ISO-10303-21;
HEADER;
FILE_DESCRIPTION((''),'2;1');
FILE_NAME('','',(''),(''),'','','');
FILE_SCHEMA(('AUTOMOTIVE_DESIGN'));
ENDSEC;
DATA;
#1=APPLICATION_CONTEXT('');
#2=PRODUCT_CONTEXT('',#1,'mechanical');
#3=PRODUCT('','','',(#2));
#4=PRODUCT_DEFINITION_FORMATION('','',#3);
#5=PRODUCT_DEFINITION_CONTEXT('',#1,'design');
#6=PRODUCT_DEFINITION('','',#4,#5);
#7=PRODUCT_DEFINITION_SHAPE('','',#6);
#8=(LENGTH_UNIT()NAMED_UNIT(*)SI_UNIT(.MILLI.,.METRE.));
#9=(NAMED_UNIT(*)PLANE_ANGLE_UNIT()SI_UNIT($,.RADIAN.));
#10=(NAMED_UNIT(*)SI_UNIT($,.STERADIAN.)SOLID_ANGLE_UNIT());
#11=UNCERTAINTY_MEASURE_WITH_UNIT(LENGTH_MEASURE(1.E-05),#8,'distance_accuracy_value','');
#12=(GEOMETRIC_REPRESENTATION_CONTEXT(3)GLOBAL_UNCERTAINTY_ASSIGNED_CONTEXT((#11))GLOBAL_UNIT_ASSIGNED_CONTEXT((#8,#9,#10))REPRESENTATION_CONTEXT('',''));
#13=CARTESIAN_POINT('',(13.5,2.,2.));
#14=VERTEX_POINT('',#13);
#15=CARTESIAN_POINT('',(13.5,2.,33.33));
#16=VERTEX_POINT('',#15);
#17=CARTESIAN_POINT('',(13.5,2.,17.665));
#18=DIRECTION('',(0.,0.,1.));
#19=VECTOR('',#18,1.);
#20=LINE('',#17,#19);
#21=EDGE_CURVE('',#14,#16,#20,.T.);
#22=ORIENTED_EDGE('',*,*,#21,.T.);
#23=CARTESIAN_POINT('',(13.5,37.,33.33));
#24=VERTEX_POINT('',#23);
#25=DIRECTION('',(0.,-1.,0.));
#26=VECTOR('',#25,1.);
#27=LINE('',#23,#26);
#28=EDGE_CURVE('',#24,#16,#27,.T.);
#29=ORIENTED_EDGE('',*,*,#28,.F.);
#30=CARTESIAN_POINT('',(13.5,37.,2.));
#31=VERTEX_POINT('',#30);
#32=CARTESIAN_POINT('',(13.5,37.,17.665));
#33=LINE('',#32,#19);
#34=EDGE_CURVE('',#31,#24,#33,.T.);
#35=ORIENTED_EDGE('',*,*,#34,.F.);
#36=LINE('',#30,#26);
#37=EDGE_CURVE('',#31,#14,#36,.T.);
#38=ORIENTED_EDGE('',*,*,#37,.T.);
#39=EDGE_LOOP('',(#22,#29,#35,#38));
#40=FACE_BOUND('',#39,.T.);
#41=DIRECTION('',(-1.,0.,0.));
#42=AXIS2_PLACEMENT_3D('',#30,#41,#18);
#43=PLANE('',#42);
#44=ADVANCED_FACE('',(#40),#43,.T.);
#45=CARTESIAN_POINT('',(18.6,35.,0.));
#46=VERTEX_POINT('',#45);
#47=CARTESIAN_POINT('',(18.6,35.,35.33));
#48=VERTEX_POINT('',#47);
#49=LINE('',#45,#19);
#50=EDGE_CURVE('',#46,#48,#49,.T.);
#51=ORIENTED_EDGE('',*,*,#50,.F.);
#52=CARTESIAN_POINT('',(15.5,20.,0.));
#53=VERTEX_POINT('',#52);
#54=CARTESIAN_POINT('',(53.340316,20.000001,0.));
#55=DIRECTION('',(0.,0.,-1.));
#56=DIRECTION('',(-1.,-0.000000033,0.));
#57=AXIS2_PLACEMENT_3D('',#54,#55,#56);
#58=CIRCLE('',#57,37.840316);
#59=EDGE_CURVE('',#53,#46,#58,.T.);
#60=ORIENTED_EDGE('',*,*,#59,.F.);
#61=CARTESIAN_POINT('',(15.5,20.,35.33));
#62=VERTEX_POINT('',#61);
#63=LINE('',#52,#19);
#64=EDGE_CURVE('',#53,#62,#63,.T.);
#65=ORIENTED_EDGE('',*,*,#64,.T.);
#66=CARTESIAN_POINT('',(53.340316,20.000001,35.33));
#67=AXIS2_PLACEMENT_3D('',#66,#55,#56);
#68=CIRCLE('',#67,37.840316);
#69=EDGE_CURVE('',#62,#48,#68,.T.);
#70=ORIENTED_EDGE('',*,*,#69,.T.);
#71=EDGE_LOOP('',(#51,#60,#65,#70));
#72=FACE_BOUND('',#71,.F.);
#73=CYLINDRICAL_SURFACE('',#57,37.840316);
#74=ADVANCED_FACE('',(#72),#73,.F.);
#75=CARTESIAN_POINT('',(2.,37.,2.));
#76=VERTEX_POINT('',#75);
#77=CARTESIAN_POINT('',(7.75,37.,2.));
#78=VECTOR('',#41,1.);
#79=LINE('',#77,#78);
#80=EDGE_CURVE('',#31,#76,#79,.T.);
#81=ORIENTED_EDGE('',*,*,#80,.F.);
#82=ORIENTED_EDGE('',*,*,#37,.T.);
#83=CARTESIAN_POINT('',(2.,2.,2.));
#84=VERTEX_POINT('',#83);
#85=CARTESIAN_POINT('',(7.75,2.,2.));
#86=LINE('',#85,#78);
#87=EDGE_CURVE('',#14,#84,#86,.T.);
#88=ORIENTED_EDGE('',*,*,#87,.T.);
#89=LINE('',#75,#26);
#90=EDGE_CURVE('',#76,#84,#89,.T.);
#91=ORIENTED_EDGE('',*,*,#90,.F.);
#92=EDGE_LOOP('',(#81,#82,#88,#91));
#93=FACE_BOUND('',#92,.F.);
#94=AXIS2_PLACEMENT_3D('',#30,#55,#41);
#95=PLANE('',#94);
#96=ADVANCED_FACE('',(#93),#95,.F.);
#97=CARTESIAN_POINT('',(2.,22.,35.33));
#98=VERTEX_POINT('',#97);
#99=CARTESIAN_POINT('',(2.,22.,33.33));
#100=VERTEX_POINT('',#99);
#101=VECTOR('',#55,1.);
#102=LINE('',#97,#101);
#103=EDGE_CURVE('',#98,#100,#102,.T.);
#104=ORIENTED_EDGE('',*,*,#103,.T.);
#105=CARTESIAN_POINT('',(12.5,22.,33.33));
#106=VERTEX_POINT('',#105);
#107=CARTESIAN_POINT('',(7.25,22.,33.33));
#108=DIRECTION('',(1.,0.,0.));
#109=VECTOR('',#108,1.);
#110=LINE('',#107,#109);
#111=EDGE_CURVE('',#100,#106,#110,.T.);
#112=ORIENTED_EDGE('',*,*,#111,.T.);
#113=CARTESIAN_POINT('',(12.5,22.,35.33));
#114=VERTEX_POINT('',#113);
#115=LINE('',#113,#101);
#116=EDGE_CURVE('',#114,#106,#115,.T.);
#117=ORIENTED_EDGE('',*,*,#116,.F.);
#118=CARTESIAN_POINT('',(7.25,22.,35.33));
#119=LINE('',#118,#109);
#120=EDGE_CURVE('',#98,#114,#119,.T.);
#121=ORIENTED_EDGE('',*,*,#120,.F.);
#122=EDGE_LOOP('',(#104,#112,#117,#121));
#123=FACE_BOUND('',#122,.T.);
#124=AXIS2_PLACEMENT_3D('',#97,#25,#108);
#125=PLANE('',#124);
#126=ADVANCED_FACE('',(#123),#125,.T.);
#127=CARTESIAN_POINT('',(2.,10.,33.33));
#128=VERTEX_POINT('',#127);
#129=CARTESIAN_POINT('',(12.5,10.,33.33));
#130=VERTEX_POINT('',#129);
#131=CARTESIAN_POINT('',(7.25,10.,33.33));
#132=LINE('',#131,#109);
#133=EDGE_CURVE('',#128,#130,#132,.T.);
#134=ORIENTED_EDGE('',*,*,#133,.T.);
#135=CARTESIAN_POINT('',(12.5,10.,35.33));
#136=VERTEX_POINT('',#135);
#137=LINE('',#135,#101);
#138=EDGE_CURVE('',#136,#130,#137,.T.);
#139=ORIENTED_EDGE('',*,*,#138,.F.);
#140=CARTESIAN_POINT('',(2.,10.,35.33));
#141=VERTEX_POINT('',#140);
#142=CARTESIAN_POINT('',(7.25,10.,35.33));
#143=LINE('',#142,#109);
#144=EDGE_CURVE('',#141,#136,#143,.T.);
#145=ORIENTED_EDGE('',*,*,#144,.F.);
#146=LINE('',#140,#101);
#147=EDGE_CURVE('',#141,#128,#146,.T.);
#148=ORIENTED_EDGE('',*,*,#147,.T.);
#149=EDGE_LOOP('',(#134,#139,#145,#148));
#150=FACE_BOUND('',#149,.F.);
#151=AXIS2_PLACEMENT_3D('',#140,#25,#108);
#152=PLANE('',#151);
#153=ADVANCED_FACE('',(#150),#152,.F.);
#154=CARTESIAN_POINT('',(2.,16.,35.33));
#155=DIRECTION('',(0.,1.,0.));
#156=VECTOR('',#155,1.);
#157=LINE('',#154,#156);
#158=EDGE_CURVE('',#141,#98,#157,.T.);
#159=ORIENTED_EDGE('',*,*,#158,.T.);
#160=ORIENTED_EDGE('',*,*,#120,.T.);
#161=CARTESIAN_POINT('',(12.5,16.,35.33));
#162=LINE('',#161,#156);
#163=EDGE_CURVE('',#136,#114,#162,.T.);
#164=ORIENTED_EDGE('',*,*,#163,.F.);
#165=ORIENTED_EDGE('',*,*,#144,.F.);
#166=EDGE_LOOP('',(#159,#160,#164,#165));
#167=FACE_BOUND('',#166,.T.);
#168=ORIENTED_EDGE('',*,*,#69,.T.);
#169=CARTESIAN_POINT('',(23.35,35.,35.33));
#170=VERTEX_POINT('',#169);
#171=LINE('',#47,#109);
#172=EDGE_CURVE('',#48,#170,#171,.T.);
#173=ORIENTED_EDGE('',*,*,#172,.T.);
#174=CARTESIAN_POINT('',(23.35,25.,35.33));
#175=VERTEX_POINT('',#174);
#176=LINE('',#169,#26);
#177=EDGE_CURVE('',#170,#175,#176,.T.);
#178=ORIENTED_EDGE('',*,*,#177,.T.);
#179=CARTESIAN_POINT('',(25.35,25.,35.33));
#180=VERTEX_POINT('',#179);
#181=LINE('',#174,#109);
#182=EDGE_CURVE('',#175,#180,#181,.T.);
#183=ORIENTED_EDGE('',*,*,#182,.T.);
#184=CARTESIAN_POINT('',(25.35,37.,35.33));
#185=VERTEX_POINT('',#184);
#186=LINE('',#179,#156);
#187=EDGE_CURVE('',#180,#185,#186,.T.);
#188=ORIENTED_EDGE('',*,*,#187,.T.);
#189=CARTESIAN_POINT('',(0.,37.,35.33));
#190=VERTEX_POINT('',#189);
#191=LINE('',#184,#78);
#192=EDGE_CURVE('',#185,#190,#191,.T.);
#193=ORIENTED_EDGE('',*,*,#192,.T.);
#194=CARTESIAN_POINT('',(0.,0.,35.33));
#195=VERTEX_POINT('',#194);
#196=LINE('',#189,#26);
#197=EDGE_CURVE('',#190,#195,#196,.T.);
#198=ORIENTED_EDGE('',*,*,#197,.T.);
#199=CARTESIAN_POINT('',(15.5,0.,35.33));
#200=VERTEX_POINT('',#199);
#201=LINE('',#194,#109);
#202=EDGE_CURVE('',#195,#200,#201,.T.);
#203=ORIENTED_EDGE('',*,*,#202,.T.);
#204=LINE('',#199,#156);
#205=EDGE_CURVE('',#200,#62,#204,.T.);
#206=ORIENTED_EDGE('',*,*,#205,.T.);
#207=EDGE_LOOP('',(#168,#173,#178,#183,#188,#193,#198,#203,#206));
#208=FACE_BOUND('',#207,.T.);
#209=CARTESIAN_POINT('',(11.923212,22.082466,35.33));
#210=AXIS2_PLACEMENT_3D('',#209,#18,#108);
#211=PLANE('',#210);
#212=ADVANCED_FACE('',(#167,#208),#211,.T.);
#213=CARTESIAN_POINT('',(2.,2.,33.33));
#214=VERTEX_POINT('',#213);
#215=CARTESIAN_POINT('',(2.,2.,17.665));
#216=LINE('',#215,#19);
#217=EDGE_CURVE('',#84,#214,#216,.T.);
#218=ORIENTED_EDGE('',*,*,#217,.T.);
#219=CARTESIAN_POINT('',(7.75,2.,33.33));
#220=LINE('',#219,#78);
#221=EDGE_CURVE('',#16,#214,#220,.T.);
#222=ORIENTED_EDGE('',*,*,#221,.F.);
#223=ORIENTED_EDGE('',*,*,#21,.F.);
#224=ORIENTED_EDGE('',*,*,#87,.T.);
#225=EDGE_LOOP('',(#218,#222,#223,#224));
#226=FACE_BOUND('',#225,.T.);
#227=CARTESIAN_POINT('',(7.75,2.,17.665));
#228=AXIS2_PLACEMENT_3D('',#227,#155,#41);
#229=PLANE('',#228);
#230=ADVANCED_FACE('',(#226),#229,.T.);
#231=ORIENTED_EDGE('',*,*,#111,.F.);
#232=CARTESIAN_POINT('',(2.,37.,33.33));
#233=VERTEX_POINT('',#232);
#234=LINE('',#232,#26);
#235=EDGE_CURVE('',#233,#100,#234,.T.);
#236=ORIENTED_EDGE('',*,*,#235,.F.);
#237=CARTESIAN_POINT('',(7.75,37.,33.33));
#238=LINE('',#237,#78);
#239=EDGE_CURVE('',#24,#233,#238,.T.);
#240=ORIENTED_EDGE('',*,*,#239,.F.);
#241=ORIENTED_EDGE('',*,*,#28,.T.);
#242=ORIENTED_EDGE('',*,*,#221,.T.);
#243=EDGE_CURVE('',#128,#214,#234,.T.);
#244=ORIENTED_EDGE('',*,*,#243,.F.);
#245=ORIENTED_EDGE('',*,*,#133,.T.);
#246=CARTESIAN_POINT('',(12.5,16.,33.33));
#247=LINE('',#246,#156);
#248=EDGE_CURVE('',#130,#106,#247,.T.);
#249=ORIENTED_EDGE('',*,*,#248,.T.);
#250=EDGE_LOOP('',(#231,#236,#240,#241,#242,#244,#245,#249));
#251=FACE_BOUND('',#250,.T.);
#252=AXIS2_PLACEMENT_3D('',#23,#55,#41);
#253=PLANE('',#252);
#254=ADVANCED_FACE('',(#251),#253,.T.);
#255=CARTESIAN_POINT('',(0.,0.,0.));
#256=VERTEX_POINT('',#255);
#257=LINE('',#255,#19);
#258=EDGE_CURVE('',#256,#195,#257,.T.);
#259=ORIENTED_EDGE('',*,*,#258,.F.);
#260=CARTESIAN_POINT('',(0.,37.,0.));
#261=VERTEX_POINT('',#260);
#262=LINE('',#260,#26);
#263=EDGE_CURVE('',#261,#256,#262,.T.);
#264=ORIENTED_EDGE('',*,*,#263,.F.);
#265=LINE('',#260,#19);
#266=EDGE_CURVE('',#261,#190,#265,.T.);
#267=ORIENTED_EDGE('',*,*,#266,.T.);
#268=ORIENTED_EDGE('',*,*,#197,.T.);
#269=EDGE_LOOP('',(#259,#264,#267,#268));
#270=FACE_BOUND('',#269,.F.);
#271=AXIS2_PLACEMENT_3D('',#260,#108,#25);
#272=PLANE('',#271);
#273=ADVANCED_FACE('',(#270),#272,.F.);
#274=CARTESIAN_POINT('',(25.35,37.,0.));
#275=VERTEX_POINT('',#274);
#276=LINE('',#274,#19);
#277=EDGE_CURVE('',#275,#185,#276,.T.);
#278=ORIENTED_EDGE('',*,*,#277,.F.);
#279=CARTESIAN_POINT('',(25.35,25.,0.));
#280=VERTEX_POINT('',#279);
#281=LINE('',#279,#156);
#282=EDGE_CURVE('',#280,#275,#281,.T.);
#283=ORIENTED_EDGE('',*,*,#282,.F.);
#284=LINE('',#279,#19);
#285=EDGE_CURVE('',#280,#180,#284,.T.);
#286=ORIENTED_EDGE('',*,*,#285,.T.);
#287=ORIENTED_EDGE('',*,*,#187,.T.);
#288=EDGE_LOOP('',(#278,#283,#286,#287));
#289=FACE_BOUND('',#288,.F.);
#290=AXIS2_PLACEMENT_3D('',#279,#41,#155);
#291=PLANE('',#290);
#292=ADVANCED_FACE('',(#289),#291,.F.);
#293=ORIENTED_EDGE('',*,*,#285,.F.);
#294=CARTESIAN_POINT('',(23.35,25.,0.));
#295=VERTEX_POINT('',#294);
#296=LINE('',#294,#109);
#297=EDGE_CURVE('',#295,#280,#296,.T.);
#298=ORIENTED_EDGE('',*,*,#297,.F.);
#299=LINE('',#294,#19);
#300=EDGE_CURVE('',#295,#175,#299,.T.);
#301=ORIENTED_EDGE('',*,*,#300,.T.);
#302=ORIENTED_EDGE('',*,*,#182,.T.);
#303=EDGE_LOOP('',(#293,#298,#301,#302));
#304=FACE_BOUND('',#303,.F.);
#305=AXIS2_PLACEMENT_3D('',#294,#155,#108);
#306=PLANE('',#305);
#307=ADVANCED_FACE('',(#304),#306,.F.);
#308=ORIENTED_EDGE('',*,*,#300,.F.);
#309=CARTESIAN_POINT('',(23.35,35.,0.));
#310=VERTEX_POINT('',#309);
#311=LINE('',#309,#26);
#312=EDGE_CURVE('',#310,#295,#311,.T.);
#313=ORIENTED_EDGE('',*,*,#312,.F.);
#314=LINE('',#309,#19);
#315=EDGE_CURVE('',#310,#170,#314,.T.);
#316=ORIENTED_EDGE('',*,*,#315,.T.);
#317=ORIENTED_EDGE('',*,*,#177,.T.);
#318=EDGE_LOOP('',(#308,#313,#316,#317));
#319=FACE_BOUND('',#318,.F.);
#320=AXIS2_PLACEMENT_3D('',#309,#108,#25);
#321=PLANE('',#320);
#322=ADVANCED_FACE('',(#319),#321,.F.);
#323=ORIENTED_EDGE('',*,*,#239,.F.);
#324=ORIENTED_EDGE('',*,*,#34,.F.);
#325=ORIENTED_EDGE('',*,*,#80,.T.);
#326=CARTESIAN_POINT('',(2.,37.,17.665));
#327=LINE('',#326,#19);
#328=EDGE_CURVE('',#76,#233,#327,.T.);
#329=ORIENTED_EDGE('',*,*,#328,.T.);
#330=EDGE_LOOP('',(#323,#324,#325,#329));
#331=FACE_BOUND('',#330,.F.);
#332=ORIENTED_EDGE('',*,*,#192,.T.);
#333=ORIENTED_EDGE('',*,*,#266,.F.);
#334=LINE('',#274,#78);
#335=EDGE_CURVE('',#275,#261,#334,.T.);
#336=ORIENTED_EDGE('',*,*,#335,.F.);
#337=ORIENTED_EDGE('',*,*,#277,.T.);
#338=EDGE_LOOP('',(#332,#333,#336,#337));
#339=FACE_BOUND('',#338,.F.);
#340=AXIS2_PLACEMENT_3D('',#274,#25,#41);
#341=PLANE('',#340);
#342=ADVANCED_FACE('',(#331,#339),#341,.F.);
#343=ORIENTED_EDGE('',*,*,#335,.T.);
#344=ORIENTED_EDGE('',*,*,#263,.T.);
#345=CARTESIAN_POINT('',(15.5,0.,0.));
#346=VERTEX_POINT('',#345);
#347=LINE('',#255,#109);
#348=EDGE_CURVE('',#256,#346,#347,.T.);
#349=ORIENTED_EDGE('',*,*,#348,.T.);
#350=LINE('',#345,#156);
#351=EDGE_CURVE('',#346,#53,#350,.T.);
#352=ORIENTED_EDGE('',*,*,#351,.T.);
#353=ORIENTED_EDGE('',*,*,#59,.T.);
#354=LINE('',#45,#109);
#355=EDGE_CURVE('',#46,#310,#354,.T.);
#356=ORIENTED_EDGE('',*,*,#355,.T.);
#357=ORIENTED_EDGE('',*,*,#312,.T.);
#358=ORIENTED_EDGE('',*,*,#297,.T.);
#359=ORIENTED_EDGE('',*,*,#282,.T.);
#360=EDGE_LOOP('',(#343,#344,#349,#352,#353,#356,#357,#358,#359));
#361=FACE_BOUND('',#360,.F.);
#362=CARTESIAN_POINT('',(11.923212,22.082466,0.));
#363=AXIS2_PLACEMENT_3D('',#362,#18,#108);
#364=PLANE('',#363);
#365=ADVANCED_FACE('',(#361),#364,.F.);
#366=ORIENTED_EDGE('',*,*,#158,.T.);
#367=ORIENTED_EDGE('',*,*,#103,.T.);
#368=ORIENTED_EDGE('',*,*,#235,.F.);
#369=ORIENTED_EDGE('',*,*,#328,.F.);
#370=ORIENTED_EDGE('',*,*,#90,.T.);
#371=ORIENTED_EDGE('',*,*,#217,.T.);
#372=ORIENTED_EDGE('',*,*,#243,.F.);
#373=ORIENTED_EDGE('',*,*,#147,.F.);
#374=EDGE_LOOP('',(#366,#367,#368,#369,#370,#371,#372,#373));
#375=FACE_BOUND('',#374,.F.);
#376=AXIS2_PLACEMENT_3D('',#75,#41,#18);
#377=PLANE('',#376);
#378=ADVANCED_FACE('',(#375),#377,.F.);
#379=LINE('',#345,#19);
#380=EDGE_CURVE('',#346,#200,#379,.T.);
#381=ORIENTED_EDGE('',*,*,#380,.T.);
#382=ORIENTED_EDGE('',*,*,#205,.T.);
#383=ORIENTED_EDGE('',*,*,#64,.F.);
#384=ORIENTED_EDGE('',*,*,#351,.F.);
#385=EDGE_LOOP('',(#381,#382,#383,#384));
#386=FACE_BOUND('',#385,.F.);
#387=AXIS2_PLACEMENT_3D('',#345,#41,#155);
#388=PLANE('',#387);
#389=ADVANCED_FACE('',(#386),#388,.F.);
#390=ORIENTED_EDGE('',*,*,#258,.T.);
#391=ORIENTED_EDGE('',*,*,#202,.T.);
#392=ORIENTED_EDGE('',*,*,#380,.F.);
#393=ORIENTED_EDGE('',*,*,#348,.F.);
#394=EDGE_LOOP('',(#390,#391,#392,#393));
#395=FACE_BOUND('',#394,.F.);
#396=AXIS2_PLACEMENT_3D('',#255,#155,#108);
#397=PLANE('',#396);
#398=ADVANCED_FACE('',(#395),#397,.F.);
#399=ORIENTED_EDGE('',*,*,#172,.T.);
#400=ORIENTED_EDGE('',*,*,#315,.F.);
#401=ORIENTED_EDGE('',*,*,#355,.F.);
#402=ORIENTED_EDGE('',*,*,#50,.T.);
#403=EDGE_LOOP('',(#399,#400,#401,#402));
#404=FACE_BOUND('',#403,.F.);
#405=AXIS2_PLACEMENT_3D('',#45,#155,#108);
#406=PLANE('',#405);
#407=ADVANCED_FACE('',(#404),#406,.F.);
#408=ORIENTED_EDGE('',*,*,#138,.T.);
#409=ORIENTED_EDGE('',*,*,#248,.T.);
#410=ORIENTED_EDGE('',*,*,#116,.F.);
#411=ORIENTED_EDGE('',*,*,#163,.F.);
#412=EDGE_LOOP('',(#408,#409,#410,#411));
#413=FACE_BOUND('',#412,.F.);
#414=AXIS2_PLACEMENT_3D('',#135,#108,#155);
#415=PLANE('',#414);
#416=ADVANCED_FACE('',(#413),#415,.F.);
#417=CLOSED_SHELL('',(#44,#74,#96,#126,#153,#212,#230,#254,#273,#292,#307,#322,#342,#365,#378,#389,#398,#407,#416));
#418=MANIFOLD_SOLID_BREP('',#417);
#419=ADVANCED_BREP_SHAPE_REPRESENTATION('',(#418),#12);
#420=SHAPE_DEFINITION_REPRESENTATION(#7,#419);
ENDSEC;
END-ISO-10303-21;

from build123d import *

# Parameters (mm, degrees)
F1_DEPTH = 35.33
F2_W     = 11.5
F2_H     = 31.33
F3_DEPTH = 35
F4_W     = 10.5
F4_H     = 12
F5_DEPTH = 2


with BuildPart() as f1:
    # F0 (on Top) → F1 (new body)
    with BuildSketch(Plane.XY):
        with BuildLine():
            Line((0, 37), (0, 0))
            Line((0, 0), (15.5, 0))
            Line((15.5, 0), (15.5, 20))
            ThreePointArc((15.5, 20), (16.283103, 27.658492), (18.6, 35))
            Line((18.6, 35), (23.35, 35))
            Line((23.35, 35), (23.35, 25))
            Line((23.35, 25), (25.35, 25))
            Line((25.35, 25), (25.35, 37))
            Line((25.35, 37), (0, 37))
        make_face()
    extrude(amount=F1_DEPTH)

    # F2 (on face) → F3 (cut)
    with BuildSketch(Plane(origin=(0, 37, 0), x_dir=(-1, 0, 0), z_dir=(0, 1, 0))):
        with Locations((-7.75, 17.665)):
            Rectangle(F2_W, F2_H)
    extrude(amount=-F3_DEPTH, mode=Mode.SUBTRACT)

    # F4 (on face) → F5 (cut)
    with BuildSketch(Plane.XY.offset(35.33)):
        with Locations((7.25, 16)):
            Rectangle(F4_W, F4_H)
    extrude(amount=-F5_DEPTH, mode=Mode.SUBTRACT)


solid = f1.part
